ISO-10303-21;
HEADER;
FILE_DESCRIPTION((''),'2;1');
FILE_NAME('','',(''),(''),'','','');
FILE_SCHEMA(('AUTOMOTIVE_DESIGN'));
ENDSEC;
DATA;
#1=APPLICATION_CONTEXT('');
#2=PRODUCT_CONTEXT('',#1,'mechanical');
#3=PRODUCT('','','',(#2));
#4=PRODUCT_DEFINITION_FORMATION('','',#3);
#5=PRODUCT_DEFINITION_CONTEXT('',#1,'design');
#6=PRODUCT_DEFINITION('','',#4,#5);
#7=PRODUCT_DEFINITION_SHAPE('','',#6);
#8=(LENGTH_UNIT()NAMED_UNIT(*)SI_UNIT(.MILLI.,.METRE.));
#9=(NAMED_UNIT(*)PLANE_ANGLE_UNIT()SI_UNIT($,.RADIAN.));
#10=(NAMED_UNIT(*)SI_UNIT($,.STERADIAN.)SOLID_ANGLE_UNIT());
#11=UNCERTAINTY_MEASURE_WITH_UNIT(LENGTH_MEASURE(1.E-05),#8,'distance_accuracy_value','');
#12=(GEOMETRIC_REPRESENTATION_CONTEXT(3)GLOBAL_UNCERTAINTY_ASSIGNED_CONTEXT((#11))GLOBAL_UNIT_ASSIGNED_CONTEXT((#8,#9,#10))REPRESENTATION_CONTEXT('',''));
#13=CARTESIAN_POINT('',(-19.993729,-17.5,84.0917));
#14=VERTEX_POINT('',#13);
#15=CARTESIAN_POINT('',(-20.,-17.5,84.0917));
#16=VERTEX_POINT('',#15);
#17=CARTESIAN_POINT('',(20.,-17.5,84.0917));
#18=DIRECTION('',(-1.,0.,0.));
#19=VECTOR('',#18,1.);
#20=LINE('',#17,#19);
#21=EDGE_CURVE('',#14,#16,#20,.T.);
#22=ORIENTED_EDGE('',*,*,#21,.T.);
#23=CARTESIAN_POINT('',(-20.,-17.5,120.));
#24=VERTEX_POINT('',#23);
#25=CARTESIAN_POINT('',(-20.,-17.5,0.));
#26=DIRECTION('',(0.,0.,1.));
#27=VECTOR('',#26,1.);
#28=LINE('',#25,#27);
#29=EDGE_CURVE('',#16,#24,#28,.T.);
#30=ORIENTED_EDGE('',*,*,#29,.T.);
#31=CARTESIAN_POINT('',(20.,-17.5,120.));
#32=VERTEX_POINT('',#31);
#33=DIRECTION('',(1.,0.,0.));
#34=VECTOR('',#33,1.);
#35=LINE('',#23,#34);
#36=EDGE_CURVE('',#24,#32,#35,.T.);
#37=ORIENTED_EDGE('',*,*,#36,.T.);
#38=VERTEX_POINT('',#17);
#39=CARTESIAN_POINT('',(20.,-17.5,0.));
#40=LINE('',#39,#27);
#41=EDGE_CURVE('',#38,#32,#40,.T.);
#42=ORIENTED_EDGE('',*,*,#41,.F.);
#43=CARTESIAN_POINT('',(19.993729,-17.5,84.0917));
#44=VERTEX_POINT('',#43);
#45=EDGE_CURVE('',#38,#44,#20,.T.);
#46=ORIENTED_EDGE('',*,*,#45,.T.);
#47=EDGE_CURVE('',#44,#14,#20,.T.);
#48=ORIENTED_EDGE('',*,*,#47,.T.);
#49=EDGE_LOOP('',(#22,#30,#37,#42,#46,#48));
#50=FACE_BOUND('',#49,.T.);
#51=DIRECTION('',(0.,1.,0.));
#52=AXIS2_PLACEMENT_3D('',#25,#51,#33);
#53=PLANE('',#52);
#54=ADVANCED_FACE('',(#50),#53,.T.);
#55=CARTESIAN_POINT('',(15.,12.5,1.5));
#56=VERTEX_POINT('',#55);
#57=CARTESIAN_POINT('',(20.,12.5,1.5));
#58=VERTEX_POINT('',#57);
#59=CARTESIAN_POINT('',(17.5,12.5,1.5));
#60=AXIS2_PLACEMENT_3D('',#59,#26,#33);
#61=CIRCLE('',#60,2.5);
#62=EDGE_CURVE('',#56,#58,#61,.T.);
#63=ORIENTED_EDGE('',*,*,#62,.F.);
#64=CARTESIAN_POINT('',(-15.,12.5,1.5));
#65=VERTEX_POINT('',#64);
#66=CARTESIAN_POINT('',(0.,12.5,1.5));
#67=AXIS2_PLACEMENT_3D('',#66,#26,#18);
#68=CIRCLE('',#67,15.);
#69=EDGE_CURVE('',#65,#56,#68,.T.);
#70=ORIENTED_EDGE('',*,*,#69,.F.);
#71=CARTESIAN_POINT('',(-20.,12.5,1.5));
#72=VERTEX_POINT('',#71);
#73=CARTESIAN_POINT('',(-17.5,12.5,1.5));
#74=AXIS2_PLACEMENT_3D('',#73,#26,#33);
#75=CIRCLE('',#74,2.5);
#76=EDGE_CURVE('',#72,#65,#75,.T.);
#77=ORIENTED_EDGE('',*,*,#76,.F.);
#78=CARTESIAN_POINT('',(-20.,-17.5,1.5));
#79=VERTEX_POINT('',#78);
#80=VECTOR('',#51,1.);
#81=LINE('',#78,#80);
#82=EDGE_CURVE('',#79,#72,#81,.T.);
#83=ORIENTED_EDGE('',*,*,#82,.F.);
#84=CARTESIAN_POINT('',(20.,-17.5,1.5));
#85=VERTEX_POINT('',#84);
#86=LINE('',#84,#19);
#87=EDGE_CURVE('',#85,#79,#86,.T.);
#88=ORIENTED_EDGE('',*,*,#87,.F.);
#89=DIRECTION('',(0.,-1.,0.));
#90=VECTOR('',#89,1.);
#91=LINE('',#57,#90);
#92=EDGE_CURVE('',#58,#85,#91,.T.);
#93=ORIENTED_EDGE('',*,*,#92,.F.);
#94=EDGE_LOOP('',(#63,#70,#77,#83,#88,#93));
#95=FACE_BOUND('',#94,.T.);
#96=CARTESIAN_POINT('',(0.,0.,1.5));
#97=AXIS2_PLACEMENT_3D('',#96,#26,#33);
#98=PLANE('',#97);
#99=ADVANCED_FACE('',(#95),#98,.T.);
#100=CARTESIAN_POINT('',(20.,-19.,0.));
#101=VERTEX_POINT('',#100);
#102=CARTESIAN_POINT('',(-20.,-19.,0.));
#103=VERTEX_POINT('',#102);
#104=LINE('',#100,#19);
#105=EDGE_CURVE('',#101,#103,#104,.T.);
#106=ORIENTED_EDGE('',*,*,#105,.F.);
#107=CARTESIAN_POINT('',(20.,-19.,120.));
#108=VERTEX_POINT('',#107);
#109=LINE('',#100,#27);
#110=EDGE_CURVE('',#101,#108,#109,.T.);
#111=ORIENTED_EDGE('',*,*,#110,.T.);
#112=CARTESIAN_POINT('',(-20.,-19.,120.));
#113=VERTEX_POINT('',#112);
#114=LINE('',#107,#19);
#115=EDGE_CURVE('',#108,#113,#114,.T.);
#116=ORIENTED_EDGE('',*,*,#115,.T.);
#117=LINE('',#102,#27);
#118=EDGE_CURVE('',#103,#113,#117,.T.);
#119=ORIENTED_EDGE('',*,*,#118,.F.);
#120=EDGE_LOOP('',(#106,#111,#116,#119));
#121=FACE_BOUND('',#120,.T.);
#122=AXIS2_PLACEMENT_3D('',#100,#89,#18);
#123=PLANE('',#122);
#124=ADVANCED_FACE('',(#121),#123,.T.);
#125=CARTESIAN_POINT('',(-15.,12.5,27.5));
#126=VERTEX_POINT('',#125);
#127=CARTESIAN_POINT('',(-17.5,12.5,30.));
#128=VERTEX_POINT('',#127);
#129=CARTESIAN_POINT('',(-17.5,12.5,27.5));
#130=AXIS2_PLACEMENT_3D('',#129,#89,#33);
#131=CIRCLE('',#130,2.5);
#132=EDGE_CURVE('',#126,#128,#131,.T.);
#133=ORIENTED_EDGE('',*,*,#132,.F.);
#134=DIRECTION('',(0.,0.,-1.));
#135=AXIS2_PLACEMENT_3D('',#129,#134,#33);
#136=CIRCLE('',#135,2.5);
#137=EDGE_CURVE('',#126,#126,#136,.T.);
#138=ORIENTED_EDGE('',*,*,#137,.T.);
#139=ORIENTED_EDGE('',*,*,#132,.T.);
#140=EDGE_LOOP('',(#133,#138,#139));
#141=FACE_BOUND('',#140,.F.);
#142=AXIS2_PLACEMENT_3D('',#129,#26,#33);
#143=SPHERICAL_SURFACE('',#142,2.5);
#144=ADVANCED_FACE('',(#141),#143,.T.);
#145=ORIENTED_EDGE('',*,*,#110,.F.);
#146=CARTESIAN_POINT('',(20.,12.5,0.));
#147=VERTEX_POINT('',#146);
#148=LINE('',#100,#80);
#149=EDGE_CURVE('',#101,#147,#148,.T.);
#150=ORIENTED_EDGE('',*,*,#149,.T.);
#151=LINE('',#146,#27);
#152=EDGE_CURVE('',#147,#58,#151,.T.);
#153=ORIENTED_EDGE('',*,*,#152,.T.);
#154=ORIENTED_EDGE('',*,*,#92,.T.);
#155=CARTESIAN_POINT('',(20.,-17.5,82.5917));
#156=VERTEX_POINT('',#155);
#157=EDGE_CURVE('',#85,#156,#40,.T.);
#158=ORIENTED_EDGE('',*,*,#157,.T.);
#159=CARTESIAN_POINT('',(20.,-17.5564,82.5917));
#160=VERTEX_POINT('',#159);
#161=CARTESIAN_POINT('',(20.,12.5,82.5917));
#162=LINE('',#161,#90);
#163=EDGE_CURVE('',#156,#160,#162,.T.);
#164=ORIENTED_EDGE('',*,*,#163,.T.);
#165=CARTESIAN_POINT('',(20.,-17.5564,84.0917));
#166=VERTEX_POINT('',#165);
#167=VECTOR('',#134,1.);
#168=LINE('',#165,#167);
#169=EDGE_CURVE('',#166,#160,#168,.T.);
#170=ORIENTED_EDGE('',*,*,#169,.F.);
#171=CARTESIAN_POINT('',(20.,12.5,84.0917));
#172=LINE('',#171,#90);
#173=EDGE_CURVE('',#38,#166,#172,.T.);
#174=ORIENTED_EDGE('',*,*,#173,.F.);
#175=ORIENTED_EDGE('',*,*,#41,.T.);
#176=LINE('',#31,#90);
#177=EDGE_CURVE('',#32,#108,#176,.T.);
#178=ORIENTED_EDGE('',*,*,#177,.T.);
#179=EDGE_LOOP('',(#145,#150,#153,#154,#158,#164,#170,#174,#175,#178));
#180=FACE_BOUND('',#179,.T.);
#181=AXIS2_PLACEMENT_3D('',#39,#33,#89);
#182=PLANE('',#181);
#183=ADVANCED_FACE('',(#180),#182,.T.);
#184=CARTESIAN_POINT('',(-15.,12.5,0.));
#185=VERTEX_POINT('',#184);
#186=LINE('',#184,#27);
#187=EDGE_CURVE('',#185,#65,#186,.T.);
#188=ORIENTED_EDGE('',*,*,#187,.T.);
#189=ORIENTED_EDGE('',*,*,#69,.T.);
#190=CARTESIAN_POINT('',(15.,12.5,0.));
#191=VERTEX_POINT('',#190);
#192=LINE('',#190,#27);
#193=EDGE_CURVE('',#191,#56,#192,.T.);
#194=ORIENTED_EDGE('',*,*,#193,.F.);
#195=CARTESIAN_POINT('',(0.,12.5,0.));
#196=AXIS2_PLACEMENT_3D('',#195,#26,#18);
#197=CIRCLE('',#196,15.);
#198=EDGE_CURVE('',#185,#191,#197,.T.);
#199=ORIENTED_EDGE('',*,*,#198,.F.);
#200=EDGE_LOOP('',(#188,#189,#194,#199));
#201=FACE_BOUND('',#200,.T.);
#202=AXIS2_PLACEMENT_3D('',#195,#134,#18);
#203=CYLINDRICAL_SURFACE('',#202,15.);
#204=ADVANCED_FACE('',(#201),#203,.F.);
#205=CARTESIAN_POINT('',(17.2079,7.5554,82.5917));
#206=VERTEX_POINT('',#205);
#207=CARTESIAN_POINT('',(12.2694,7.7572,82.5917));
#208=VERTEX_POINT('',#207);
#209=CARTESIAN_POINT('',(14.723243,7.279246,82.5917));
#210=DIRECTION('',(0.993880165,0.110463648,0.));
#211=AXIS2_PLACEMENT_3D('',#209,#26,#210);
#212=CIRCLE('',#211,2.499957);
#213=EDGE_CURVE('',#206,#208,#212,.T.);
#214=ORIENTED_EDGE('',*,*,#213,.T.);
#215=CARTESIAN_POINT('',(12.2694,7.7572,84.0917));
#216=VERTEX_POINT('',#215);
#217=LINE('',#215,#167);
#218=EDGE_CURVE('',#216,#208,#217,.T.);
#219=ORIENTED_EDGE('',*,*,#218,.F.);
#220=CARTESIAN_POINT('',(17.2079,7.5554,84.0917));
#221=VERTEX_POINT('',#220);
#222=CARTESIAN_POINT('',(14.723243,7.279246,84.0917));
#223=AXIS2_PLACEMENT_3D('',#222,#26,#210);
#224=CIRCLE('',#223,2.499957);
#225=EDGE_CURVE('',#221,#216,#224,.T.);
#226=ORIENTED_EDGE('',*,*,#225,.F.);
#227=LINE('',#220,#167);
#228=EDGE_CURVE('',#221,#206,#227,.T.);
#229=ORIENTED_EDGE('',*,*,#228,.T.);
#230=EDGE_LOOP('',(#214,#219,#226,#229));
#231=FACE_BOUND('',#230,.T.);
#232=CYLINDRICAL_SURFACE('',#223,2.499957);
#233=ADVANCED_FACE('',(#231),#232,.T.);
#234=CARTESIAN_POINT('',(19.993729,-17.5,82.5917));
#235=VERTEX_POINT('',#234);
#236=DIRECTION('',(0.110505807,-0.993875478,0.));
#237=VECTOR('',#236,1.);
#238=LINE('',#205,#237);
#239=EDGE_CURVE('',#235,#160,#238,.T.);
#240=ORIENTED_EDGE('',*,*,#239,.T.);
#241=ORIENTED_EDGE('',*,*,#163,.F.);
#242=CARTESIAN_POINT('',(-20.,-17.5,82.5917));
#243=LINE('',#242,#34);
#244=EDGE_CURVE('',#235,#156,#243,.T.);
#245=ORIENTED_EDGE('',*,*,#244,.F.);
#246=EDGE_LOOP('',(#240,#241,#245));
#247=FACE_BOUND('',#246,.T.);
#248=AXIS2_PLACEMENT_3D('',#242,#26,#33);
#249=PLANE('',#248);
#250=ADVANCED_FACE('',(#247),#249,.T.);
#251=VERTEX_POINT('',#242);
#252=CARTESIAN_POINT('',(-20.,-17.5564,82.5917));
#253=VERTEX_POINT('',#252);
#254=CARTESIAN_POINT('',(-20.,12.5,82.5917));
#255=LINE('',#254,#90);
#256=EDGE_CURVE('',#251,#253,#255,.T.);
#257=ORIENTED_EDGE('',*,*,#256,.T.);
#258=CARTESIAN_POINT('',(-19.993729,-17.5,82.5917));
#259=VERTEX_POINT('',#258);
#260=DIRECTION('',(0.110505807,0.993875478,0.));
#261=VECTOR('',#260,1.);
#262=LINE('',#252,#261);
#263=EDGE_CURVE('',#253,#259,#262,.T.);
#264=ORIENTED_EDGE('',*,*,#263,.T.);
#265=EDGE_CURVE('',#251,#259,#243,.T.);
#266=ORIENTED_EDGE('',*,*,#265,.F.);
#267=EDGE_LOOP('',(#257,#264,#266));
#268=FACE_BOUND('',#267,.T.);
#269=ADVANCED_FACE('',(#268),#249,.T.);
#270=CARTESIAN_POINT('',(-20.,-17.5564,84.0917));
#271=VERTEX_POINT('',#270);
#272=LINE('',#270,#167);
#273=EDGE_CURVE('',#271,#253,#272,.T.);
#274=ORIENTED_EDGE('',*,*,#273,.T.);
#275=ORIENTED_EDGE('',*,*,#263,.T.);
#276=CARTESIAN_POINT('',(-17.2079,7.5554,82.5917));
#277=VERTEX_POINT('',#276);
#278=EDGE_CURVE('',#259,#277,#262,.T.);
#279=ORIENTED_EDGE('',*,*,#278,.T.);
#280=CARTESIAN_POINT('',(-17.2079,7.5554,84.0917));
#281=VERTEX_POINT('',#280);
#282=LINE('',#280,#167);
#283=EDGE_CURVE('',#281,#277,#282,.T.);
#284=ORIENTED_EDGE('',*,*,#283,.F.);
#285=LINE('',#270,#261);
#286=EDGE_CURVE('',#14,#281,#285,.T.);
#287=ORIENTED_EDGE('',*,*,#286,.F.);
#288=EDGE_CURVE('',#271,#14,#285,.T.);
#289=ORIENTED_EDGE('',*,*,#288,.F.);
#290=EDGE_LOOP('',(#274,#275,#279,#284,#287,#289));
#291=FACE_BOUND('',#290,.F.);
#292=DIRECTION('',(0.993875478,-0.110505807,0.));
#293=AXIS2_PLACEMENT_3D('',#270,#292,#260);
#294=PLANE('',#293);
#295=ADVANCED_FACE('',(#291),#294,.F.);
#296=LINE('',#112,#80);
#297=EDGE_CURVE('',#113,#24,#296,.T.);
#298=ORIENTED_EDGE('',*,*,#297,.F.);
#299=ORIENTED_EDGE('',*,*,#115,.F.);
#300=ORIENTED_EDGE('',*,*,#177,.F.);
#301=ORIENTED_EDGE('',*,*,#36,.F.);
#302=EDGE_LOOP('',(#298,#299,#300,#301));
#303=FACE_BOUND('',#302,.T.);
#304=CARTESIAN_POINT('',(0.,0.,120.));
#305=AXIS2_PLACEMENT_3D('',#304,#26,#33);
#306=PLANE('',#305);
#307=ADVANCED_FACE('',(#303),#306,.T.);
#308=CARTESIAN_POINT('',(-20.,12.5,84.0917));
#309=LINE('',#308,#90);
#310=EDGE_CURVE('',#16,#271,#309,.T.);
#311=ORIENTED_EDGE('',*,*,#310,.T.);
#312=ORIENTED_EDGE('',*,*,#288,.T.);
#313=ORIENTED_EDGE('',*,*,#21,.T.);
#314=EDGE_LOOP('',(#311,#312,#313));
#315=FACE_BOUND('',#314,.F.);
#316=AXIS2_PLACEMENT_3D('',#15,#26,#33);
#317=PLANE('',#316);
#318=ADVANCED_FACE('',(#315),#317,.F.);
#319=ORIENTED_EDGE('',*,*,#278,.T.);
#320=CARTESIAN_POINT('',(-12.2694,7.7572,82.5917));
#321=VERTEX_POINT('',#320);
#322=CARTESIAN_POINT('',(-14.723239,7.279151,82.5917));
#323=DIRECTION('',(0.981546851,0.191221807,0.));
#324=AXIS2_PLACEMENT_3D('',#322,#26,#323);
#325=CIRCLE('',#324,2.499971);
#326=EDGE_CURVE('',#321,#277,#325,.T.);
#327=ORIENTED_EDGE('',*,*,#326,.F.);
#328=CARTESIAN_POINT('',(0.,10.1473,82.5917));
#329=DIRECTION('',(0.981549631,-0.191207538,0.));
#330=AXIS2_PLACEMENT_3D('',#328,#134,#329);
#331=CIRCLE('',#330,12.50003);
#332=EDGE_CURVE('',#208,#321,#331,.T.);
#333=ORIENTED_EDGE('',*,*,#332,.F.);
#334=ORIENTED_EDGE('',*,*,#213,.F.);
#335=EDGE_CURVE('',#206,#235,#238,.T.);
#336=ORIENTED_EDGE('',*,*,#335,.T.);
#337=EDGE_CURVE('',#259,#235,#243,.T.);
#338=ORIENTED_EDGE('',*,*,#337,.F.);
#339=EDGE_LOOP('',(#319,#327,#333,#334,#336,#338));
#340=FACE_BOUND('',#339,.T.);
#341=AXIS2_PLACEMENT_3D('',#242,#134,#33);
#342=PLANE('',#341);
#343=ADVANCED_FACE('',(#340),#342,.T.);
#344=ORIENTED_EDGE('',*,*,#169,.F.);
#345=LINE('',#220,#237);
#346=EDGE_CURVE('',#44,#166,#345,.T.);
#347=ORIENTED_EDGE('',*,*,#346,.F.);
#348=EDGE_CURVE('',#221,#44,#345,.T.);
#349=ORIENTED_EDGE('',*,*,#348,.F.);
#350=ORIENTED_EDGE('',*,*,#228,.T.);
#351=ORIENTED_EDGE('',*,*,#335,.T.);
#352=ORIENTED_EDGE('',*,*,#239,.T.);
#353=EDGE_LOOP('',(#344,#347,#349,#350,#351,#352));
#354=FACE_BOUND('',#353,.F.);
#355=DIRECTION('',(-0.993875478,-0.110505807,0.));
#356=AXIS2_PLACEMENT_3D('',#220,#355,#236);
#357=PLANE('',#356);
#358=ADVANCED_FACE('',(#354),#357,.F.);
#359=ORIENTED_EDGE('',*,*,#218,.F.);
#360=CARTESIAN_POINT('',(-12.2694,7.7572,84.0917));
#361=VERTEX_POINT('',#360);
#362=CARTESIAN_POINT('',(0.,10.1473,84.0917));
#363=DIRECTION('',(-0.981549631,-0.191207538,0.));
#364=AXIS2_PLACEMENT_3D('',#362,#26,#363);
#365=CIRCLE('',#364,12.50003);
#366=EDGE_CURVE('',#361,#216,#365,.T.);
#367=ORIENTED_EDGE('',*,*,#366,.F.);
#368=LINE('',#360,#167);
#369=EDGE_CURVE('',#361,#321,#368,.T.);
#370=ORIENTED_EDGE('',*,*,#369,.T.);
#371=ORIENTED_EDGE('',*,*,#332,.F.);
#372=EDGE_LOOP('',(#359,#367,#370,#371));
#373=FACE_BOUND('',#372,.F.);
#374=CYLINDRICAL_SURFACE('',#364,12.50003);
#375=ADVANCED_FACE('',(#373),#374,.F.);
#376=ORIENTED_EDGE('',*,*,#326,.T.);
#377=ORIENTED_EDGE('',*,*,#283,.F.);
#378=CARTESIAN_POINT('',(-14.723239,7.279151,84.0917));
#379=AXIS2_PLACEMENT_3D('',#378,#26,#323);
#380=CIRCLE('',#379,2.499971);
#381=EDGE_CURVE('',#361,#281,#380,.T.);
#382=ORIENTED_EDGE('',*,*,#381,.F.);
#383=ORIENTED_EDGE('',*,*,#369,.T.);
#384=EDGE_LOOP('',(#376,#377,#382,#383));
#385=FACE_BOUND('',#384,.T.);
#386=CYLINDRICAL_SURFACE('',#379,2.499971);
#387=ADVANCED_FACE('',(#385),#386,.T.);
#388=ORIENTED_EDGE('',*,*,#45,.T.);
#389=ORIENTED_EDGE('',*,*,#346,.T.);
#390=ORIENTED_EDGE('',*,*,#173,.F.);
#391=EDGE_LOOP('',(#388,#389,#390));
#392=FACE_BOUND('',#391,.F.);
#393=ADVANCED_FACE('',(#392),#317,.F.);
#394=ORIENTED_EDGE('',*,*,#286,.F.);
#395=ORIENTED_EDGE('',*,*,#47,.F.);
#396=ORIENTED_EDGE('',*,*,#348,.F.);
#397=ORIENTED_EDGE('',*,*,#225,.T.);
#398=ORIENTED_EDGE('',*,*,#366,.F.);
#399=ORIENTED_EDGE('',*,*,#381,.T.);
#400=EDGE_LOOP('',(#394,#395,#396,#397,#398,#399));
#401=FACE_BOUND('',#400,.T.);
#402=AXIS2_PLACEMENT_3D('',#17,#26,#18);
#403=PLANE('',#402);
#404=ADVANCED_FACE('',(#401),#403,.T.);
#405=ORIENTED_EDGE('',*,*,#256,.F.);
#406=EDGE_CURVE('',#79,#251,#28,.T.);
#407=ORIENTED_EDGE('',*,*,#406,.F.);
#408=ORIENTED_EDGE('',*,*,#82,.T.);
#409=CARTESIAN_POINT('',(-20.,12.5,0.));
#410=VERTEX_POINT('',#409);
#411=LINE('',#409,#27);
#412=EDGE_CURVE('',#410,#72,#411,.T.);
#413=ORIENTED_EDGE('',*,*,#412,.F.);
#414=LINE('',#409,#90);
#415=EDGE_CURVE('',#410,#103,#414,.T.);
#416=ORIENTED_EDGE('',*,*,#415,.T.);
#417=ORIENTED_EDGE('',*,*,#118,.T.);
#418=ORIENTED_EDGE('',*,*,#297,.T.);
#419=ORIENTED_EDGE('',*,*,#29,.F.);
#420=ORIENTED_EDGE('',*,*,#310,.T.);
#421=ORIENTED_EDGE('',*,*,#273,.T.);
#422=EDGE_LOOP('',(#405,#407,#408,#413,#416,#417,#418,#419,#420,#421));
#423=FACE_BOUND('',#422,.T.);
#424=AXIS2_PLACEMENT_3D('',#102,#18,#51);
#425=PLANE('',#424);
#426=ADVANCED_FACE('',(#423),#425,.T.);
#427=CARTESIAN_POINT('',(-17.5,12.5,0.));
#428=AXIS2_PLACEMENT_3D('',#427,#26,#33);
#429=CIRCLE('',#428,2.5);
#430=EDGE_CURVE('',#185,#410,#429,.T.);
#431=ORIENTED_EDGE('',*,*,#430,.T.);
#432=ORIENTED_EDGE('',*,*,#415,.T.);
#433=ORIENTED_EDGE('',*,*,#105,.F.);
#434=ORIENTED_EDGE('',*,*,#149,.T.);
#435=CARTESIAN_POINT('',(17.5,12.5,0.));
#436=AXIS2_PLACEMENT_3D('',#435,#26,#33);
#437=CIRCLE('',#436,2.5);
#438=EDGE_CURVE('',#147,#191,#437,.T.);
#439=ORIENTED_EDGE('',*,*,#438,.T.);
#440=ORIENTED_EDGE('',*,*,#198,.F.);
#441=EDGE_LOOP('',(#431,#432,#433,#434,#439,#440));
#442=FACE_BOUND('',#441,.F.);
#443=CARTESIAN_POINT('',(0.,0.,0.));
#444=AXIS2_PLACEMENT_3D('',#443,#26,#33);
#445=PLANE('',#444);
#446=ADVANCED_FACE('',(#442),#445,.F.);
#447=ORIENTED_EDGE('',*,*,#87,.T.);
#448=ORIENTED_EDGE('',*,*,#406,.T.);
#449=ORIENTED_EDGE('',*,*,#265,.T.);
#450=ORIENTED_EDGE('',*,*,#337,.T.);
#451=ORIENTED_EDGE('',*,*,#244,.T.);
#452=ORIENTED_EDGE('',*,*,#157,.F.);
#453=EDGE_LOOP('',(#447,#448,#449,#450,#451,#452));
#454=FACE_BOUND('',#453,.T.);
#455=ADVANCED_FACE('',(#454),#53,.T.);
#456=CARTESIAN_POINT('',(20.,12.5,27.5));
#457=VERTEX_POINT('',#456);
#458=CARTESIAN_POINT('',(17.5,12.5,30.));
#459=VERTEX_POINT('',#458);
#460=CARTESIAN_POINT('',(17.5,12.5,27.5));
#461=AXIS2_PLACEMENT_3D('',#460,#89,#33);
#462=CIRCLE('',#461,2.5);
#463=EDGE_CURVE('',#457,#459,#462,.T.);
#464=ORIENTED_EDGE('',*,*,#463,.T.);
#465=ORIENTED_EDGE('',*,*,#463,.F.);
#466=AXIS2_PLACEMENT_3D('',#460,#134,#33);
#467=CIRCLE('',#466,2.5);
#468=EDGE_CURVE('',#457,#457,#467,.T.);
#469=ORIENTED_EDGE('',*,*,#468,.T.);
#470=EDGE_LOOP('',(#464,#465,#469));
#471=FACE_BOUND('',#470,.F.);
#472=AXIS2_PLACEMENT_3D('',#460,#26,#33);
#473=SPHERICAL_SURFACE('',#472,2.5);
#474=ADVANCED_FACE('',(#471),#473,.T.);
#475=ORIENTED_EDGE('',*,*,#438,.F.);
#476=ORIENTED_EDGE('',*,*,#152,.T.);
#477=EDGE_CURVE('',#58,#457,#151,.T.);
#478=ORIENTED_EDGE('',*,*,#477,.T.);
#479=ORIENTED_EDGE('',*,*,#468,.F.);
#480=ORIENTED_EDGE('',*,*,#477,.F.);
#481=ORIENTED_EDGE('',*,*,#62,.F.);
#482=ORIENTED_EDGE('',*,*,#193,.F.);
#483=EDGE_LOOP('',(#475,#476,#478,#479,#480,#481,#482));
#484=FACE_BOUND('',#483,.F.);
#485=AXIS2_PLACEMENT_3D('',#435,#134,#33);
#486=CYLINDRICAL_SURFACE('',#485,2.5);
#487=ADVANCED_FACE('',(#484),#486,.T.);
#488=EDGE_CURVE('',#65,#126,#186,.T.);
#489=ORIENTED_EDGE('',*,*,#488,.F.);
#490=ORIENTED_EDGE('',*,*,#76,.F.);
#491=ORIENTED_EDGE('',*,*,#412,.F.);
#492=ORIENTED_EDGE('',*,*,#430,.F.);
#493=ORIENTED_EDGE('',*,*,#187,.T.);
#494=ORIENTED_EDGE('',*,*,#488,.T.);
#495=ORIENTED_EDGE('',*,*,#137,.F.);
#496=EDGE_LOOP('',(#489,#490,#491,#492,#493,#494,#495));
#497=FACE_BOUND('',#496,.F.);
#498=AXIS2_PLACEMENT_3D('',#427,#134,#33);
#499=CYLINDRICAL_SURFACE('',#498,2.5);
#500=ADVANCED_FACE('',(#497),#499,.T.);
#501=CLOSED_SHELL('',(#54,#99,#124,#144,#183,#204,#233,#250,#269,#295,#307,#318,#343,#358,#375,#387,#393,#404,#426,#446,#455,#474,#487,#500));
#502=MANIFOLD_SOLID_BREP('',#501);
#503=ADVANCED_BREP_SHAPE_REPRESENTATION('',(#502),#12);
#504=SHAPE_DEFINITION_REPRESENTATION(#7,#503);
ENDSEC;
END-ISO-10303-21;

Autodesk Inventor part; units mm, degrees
ref_plane "YZ Plane" through (0, 0, 0) normal (1, 0, 0) x (0, 1, 0)
ref_plane "XZ Plane" through (0, 0, 0) normal (0, 1, 0) x (-1, 0, 0)
ref_plane "XY Plane" through (0, 0, 0) normal (0, 0, 1) x (1, 0, 0)
sketch "Sketch1" plane through (0, 0, 0) normal (0, 0, 1) x (1, 0, 0)
  line L0 (20, 12.5) -> (20, -17.5)
  line L1 (20, -17.5) -> (-20, -17.5)
  line L2 (-20, -17.5) -> (-20, 12.5)
  circle A0 centre (-17.5, 12.5) radius 2.5
  circle A1 centre (17.5, 12.5) radius 2.5
  arc A2 (-15, 12.5) -> (15, 12.5) centre (0, 12.5) ccw
  point P0 (0, 0)
  dimension "d0" = 40
  dimension "d2" = 5
  dimension "d3" = 5
  dimension "d4" = 30
  dimension "d5" = 20
  dimension "d6" = 17.5
  dimension "d7" = 15
extrude "Extrusion1" add sketch "Sketch1" along normal blind 1.5 contours L0 L1 L2 A0 A2 A1
extrude "Extrusion2" add sketch "Sketch1" along normal blind 30 contours A1 | A0
fillet "Fillet1" radius 2.5 2 edges at (-20, 12.5, 30) (15, 12.5, 30)
sketch "Sketch2" plane through (0, 0, 0) normal (0, 0, 1) x (1, 0, 0)
  line L0 (-20, -17.5) -> (20, -17.5)
  line L1 (-20, -17.5) -> (20, -17.5)
  line L2 (-20, -17.5) -> (20, -17.5)
  line L3 (20, -17.5) -> (20, -19)
  line L4 (20, -19) -> (-20, -19)
  line L5 (-20, -19) -> (-20, -17.5)
  point P0 (0, 0)
  dimension "d13" = 1.5
extrude "Extrusion3" add sketch "Sketch2" along normal blind 120
sketch "Sketch5" plane through (-20, -17.5, 1.5) normal (0, 1, 0) x (1, 0, 0)
  line L0 (0, 0) -> (0, -118.5)
  line L1 (40, 0) -> (40, -118.5)
  line L2 (0, -81.0917) -> (40, -81.0917)
  line L3 (40, -81.0917) -> (40, -82.5917)
  line L4 (40, -82.5917) -> (0, -82.5917)
  line L5 (0, -82.5917) -> (0, -81.0917)
  line L6 (0, 0) -> (40, 0)
  point P0 (20, 1.5)
  point P1 (0, -82.5917)
  dimension "d25" = 1.5
  dimension "d26" = 81.0917
extrude "Extrusion5" add sketch "Sketch5" along normal blind 30 contours L2 L1 L4 L0
sketch "Sketch6" plane through (-20, -17.5, 84.0917) normal (0, 0, 1) x (1, 0, 0)
  line L0 (0, 30) -> (0, -1.5)
  line L1 (0, -0.0564) -> (0, 30)
  line L2 (40, 30) -> (0, 30)
  line L3 (0, 30) -> (40, 30)
  line L4 (40, 30) -> (40, -0.0564)
  line L5 (40, -0.0564) -> (0, -0.0564)
  line L6 (0, -0.0564) -> (2.7921, 25.0554)
  arc A0 (7.7306, 25.2572) -> (2.7921, 25.0554) centre (5.2768, 24.7792) ccw
  arc A1 (7.7306, 25.2572) -> (32.2694, 25.2572) centre (20, 27.6473) ccw
  arc A2 (37.2079, 25.0554) -> (32.2694, 25.2572) centre (34.7232, 24.7792) ccw
  line L7 (37.2079, 25.0554) -> (40, -0.0564)
  line L8 (20, -0.0564) -> (20, 30)
  point P0 (20, 17.5)
  dimension "d29" = 2.5
  dimension "d30" = 12.5
  dimension "d31" = 29.4465
  dimension "d32" = 6.344
  dimension "d33" = 30.0564
extrude "Extrusion6" cut sketch "Sketch6" against normal up to surface (1.5 mm away) contours L2 L8 A1 A0 L6 L0 | L2 L4 L7 A2 A1 L8
equation "\"d2\" = arm_thickness"
equation "\"d3\" = arm_thickness"
equation "\"d7\" = 3 * arm_thickness"
equation "\"d8\" = material_thickness"
equation "\"d10\" = arm_length"
equation "\"d12\" = 0.5 * arm_thickness"
equation "\"d13\" = material_thickness"
equation "\"d25\" = material_thickness"
equation "\"d29\" = 0.5 * arm_thickness"
equation "\"arm_thickness\" = 5"
equation "\"material_thickness\" = 1.5"
equation "\"arm_length\" = 30"
properties part number "my_portafilter_holder_§"
